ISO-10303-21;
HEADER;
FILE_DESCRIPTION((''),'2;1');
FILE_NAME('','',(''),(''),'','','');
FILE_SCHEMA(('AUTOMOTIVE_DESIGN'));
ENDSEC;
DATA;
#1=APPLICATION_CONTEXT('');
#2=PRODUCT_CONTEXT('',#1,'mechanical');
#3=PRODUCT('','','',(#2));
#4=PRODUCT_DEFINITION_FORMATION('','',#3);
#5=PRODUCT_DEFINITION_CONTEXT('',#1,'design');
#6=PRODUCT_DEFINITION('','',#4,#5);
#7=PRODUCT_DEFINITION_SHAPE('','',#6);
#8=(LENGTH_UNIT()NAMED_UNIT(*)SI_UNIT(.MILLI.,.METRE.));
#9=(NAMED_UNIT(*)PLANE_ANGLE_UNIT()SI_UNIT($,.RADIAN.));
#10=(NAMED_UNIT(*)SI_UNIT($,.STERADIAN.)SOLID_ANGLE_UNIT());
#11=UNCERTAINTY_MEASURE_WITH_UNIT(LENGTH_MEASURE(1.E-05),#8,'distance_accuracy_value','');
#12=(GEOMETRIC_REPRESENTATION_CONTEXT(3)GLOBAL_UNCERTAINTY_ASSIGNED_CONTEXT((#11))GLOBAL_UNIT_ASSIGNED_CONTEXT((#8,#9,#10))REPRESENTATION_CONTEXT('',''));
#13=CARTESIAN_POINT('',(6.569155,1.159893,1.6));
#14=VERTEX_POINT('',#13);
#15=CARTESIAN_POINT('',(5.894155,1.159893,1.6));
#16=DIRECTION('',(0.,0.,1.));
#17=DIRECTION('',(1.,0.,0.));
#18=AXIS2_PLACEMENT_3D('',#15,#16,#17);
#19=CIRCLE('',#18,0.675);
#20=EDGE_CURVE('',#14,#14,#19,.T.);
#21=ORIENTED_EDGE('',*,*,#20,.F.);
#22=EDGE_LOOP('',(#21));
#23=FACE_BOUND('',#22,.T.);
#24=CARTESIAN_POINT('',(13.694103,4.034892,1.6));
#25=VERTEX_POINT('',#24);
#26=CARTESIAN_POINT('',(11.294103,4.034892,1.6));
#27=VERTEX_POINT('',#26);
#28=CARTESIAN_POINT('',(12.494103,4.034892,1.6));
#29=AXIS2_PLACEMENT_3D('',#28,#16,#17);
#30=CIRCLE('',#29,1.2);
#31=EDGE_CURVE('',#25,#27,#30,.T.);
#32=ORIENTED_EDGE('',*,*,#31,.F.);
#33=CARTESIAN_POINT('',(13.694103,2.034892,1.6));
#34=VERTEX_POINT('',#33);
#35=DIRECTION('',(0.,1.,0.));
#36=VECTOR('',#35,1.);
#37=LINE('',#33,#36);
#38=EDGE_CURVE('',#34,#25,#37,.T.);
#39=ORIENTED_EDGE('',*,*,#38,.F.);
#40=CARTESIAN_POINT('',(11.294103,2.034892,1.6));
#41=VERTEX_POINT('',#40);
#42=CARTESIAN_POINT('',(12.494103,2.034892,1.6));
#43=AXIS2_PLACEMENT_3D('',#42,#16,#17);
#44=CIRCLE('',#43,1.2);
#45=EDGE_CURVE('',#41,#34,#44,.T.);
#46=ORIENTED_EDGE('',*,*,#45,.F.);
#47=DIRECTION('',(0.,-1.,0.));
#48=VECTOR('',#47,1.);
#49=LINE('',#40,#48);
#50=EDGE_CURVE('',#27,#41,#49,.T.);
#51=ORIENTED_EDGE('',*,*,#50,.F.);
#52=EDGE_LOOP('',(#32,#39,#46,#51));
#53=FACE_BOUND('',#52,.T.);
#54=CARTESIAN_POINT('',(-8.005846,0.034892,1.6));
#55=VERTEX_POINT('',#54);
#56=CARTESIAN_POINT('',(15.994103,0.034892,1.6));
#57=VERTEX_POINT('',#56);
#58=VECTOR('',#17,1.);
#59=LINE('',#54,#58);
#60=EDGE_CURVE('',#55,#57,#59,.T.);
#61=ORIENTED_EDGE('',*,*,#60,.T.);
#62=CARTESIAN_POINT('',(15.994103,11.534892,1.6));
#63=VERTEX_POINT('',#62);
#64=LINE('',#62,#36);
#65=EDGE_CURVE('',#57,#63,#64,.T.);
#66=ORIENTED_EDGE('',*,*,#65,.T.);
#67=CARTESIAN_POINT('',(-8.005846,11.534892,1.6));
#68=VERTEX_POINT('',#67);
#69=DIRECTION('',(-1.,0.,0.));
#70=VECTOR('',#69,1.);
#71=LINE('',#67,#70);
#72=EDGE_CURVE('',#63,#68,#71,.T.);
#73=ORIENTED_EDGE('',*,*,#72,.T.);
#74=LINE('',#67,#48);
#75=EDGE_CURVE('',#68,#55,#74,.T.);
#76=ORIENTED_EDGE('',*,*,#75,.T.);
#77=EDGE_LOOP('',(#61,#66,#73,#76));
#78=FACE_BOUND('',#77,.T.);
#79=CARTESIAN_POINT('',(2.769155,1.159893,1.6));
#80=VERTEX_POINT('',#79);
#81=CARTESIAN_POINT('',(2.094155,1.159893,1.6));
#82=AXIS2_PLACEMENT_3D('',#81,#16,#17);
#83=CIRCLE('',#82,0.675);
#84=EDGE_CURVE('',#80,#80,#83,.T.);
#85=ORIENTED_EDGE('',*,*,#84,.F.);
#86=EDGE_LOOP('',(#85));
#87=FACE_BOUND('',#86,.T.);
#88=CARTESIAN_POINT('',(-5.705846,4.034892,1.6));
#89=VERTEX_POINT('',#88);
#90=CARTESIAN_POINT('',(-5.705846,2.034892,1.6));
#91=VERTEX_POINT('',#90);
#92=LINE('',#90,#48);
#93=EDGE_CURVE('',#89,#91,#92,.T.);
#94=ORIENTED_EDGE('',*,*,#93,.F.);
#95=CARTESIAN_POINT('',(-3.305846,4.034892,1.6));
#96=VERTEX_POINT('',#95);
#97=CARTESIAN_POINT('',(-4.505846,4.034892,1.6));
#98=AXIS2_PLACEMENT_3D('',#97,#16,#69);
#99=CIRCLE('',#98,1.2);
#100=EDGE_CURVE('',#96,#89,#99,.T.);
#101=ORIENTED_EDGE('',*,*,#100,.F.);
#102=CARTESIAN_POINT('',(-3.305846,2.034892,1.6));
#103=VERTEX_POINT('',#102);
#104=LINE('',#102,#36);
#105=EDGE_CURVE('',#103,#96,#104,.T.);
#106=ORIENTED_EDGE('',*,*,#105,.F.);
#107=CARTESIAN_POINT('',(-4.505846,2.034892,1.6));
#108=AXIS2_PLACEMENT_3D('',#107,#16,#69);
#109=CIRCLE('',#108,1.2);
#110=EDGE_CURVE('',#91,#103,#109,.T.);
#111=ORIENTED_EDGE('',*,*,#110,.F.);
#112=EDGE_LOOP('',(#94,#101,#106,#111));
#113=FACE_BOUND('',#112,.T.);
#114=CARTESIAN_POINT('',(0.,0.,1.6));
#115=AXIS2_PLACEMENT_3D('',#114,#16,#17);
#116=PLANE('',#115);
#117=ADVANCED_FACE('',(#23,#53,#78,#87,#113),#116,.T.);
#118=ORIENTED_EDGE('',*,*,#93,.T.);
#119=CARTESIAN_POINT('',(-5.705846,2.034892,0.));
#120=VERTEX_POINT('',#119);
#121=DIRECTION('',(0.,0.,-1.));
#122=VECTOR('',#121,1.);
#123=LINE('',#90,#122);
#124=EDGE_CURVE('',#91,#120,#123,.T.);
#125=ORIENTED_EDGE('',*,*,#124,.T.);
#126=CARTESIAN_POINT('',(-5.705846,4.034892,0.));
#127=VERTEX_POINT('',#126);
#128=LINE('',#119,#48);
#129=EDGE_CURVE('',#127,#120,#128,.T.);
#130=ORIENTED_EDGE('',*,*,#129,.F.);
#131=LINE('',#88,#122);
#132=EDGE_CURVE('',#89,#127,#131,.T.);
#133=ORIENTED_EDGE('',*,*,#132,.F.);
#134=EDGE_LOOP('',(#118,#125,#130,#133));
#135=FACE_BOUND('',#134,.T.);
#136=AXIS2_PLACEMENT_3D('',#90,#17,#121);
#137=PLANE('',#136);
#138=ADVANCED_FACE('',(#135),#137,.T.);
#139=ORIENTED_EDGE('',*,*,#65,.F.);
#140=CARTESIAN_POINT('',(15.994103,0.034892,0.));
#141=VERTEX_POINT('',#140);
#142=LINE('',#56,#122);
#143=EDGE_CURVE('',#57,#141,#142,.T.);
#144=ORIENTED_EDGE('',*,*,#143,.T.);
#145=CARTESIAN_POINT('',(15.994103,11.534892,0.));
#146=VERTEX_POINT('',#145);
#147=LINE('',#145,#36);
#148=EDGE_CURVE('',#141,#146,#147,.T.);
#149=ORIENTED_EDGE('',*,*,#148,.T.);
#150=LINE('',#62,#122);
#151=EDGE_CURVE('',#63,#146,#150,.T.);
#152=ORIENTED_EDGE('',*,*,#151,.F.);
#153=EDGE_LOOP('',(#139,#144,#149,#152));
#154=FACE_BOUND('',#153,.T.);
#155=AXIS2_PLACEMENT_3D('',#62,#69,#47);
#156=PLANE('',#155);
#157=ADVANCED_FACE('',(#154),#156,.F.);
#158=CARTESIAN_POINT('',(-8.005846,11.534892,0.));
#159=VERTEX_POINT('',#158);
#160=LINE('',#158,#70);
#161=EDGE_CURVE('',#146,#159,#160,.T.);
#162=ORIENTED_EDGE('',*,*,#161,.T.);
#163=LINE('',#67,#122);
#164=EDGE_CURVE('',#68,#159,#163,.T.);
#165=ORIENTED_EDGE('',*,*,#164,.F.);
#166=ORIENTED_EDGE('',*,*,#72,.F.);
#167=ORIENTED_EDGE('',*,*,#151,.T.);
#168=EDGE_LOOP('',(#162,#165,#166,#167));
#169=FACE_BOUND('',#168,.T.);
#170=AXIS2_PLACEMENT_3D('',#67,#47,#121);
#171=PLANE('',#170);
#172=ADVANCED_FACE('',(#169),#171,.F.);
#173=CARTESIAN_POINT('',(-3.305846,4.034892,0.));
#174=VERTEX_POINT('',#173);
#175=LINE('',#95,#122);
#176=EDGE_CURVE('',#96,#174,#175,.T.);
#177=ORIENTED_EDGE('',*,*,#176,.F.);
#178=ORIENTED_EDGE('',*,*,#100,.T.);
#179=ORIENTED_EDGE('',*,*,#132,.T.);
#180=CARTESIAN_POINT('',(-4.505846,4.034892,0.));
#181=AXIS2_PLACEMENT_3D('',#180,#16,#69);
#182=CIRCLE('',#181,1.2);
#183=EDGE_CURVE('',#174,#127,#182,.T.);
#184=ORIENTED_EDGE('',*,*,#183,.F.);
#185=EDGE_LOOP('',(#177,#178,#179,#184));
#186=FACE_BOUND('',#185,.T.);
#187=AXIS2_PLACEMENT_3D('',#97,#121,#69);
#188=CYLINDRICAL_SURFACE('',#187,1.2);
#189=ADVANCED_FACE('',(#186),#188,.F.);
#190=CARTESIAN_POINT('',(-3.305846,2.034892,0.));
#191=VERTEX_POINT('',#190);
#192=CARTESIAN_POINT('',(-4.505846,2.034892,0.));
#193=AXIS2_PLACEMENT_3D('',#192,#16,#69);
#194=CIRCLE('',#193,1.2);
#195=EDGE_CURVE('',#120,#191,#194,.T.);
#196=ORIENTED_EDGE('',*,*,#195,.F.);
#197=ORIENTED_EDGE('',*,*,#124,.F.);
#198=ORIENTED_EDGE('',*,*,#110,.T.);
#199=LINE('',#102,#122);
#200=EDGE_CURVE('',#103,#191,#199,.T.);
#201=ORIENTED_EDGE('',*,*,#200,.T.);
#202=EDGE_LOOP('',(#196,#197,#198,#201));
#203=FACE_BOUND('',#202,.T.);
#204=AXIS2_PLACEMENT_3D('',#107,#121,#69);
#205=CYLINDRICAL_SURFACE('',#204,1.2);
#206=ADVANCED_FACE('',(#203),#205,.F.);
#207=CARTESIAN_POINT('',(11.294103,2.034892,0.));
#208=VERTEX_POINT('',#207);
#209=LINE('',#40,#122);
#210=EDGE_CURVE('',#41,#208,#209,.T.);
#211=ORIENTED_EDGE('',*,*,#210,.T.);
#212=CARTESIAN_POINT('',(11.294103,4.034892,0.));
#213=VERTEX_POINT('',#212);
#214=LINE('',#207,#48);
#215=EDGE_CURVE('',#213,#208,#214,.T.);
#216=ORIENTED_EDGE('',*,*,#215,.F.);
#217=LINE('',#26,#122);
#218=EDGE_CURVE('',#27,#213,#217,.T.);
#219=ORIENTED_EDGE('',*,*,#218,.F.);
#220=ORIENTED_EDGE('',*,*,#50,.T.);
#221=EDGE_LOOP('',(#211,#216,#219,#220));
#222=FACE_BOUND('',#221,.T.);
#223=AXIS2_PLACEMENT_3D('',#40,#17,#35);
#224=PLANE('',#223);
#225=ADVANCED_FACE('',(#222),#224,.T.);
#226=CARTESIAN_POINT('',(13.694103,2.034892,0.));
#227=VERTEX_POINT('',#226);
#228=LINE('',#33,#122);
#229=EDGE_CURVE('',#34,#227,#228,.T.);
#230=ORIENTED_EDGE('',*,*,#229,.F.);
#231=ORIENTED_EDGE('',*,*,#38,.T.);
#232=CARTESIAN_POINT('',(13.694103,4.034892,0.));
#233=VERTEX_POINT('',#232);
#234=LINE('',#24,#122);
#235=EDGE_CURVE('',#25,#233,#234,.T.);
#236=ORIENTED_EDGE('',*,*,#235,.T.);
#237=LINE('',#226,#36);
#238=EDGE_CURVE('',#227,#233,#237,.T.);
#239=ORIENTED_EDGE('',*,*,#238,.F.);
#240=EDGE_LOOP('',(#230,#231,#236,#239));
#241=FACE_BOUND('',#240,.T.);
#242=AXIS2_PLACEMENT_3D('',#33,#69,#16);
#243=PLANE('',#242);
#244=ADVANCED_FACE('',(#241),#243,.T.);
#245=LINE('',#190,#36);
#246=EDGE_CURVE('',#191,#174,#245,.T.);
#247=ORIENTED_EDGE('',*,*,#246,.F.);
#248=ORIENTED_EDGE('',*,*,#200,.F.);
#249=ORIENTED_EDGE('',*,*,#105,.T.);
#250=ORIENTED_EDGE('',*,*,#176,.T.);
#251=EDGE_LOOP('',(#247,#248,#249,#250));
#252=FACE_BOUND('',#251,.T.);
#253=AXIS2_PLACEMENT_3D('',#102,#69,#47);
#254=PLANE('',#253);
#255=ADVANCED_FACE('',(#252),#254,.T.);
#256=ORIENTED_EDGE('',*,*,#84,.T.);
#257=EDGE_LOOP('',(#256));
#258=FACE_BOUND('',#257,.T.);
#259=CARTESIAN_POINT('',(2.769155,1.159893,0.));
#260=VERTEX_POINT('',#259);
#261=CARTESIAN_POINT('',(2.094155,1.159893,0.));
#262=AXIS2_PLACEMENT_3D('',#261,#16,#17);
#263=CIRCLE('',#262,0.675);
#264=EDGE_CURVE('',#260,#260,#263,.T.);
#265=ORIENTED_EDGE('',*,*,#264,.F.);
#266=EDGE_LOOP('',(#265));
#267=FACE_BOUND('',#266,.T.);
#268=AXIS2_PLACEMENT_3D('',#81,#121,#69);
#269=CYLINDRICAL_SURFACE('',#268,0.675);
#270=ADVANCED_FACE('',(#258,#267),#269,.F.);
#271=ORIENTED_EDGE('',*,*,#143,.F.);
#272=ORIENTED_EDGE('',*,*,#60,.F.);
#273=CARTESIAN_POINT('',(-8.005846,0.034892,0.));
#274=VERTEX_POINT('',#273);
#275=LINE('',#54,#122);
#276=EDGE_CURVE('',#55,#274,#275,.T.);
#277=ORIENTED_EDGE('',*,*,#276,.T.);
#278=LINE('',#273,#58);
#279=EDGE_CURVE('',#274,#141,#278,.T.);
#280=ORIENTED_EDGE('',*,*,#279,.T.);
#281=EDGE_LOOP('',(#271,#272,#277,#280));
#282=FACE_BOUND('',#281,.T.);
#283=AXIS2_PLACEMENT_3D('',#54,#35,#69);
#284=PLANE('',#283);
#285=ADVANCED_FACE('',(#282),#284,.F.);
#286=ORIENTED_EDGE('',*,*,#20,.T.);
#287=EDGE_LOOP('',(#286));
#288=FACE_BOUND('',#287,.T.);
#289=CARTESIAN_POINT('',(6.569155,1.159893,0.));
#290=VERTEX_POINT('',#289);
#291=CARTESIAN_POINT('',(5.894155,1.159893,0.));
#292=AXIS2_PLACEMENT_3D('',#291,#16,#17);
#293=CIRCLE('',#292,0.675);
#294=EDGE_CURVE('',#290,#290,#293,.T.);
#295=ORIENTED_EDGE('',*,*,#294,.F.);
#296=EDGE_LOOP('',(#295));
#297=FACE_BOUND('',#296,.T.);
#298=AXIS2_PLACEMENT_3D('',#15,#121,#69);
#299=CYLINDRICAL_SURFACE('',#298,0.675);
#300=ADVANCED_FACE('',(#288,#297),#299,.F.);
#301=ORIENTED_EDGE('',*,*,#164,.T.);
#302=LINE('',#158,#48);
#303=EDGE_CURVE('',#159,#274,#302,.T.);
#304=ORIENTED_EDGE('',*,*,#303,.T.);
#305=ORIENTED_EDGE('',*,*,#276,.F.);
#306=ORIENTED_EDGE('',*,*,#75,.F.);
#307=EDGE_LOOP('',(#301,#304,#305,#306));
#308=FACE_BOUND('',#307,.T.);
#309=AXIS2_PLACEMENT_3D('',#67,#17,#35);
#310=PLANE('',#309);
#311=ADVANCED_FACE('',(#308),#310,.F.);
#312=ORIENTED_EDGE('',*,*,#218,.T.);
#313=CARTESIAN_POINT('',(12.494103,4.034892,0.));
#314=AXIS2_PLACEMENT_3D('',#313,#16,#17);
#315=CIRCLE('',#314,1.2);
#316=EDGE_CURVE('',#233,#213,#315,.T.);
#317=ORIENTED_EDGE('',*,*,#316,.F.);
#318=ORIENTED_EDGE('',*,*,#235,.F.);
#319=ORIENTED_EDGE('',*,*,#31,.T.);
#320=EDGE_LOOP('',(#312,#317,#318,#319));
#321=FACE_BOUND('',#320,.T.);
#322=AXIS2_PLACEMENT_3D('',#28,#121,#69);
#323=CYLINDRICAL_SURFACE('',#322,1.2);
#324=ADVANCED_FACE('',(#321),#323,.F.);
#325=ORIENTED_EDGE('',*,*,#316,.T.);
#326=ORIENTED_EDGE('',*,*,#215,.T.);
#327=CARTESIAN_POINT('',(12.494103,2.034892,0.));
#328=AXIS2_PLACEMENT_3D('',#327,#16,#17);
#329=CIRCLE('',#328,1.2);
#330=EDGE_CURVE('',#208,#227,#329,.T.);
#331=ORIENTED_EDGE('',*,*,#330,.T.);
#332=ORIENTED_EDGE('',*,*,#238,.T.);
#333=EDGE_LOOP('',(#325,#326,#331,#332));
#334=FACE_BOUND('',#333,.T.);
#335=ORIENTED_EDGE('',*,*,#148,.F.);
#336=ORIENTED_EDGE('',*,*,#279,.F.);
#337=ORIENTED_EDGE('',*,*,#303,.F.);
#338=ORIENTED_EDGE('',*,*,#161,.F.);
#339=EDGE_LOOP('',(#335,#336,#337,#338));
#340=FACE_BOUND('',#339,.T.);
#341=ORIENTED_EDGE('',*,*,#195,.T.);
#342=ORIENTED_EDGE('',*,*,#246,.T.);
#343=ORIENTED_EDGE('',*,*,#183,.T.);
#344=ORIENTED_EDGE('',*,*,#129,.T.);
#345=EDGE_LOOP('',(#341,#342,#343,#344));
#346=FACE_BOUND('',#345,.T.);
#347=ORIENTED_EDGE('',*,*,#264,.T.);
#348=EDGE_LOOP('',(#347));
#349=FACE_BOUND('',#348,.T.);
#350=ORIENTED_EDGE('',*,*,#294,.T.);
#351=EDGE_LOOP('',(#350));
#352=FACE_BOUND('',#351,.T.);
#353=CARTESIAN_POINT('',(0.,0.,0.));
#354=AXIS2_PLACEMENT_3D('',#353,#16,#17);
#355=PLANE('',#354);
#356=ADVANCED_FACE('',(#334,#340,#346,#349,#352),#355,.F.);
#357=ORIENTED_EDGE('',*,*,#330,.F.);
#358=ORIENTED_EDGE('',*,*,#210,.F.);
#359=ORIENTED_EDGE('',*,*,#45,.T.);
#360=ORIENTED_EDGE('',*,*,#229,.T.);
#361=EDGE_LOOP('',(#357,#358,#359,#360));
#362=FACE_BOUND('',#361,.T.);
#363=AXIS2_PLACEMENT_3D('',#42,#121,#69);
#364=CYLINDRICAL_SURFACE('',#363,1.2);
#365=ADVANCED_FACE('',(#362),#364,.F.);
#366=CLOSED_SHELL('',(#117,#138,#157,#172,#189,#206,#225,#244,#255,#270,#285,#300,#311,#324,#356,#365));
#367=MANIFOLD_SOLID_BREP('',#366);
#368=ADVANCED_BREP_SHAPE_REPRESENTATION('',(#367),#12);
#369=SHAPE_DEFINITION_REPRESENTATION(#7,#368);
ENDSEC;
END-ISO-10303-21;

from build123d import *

# Parameters (mm, degrees)
SKETCH2_W           = 23.999949
SKETCH2_H           = 11.5
SKETCH2_R           = 0.675
BOSS_EXTRUDE1_DEPTH = 1.6


with BuildPart() as part:
    # Sketch2 → Boss-Extrude1 (new body)
    with BuildSketch(Plane.XY):
        with Locations((3.994128142, 5.784892068)):
            Rectangle(SKETCH2_W, SKETCH2_H)
        with Locations((2.094154642, 1.159893068)):
            Circle(SKETCH2_R, mode=Mode.SUBTRACT)
        with Locations((5.894154642, 1.159893068)):
            Circle(SKETCH2_R, mode=Mode.SUBTRACT)
        with BuildLine():
            Line((11.294102642, 2.034892068), (11.294102642, 4.034892068))
            ThreePointArc((11.294102642, 4.034892068), (12.494102642, 5.234892068), (13.694102642, 4.034892068))
            Line((13.694102642, 4.034892068), (13.694102642, 2.034892068))
            ThreePointArc((13.694102642, 2.034892068), (12.494102642, 0.834892068), (11.294102642, 2.034892068))
        make_face(mode=Mode.SUBTRACT)
        with BuildLine():
            Line((-3.305846358, 2.034892068), (-3.305846358, 4.034892068))
            ThreePointArc((-3.305846358, 4.034892068), (-4.505846358, 5.234892068), (-5.705846358, 4.034892068))
            Line((-5.705846358, 4.034892068), (-5.705846358, 2.034892068))
            ThreePointArc((-5.705846358, 2.034892068), (-4.505846358, 0.834892068), (-3.305846358, 2.034892068))
        make_face(mode=Mode.SUBTRACT)
    extrude(amount=BOSS_EXTRUDE1_DEPTH)


solid = part.part
